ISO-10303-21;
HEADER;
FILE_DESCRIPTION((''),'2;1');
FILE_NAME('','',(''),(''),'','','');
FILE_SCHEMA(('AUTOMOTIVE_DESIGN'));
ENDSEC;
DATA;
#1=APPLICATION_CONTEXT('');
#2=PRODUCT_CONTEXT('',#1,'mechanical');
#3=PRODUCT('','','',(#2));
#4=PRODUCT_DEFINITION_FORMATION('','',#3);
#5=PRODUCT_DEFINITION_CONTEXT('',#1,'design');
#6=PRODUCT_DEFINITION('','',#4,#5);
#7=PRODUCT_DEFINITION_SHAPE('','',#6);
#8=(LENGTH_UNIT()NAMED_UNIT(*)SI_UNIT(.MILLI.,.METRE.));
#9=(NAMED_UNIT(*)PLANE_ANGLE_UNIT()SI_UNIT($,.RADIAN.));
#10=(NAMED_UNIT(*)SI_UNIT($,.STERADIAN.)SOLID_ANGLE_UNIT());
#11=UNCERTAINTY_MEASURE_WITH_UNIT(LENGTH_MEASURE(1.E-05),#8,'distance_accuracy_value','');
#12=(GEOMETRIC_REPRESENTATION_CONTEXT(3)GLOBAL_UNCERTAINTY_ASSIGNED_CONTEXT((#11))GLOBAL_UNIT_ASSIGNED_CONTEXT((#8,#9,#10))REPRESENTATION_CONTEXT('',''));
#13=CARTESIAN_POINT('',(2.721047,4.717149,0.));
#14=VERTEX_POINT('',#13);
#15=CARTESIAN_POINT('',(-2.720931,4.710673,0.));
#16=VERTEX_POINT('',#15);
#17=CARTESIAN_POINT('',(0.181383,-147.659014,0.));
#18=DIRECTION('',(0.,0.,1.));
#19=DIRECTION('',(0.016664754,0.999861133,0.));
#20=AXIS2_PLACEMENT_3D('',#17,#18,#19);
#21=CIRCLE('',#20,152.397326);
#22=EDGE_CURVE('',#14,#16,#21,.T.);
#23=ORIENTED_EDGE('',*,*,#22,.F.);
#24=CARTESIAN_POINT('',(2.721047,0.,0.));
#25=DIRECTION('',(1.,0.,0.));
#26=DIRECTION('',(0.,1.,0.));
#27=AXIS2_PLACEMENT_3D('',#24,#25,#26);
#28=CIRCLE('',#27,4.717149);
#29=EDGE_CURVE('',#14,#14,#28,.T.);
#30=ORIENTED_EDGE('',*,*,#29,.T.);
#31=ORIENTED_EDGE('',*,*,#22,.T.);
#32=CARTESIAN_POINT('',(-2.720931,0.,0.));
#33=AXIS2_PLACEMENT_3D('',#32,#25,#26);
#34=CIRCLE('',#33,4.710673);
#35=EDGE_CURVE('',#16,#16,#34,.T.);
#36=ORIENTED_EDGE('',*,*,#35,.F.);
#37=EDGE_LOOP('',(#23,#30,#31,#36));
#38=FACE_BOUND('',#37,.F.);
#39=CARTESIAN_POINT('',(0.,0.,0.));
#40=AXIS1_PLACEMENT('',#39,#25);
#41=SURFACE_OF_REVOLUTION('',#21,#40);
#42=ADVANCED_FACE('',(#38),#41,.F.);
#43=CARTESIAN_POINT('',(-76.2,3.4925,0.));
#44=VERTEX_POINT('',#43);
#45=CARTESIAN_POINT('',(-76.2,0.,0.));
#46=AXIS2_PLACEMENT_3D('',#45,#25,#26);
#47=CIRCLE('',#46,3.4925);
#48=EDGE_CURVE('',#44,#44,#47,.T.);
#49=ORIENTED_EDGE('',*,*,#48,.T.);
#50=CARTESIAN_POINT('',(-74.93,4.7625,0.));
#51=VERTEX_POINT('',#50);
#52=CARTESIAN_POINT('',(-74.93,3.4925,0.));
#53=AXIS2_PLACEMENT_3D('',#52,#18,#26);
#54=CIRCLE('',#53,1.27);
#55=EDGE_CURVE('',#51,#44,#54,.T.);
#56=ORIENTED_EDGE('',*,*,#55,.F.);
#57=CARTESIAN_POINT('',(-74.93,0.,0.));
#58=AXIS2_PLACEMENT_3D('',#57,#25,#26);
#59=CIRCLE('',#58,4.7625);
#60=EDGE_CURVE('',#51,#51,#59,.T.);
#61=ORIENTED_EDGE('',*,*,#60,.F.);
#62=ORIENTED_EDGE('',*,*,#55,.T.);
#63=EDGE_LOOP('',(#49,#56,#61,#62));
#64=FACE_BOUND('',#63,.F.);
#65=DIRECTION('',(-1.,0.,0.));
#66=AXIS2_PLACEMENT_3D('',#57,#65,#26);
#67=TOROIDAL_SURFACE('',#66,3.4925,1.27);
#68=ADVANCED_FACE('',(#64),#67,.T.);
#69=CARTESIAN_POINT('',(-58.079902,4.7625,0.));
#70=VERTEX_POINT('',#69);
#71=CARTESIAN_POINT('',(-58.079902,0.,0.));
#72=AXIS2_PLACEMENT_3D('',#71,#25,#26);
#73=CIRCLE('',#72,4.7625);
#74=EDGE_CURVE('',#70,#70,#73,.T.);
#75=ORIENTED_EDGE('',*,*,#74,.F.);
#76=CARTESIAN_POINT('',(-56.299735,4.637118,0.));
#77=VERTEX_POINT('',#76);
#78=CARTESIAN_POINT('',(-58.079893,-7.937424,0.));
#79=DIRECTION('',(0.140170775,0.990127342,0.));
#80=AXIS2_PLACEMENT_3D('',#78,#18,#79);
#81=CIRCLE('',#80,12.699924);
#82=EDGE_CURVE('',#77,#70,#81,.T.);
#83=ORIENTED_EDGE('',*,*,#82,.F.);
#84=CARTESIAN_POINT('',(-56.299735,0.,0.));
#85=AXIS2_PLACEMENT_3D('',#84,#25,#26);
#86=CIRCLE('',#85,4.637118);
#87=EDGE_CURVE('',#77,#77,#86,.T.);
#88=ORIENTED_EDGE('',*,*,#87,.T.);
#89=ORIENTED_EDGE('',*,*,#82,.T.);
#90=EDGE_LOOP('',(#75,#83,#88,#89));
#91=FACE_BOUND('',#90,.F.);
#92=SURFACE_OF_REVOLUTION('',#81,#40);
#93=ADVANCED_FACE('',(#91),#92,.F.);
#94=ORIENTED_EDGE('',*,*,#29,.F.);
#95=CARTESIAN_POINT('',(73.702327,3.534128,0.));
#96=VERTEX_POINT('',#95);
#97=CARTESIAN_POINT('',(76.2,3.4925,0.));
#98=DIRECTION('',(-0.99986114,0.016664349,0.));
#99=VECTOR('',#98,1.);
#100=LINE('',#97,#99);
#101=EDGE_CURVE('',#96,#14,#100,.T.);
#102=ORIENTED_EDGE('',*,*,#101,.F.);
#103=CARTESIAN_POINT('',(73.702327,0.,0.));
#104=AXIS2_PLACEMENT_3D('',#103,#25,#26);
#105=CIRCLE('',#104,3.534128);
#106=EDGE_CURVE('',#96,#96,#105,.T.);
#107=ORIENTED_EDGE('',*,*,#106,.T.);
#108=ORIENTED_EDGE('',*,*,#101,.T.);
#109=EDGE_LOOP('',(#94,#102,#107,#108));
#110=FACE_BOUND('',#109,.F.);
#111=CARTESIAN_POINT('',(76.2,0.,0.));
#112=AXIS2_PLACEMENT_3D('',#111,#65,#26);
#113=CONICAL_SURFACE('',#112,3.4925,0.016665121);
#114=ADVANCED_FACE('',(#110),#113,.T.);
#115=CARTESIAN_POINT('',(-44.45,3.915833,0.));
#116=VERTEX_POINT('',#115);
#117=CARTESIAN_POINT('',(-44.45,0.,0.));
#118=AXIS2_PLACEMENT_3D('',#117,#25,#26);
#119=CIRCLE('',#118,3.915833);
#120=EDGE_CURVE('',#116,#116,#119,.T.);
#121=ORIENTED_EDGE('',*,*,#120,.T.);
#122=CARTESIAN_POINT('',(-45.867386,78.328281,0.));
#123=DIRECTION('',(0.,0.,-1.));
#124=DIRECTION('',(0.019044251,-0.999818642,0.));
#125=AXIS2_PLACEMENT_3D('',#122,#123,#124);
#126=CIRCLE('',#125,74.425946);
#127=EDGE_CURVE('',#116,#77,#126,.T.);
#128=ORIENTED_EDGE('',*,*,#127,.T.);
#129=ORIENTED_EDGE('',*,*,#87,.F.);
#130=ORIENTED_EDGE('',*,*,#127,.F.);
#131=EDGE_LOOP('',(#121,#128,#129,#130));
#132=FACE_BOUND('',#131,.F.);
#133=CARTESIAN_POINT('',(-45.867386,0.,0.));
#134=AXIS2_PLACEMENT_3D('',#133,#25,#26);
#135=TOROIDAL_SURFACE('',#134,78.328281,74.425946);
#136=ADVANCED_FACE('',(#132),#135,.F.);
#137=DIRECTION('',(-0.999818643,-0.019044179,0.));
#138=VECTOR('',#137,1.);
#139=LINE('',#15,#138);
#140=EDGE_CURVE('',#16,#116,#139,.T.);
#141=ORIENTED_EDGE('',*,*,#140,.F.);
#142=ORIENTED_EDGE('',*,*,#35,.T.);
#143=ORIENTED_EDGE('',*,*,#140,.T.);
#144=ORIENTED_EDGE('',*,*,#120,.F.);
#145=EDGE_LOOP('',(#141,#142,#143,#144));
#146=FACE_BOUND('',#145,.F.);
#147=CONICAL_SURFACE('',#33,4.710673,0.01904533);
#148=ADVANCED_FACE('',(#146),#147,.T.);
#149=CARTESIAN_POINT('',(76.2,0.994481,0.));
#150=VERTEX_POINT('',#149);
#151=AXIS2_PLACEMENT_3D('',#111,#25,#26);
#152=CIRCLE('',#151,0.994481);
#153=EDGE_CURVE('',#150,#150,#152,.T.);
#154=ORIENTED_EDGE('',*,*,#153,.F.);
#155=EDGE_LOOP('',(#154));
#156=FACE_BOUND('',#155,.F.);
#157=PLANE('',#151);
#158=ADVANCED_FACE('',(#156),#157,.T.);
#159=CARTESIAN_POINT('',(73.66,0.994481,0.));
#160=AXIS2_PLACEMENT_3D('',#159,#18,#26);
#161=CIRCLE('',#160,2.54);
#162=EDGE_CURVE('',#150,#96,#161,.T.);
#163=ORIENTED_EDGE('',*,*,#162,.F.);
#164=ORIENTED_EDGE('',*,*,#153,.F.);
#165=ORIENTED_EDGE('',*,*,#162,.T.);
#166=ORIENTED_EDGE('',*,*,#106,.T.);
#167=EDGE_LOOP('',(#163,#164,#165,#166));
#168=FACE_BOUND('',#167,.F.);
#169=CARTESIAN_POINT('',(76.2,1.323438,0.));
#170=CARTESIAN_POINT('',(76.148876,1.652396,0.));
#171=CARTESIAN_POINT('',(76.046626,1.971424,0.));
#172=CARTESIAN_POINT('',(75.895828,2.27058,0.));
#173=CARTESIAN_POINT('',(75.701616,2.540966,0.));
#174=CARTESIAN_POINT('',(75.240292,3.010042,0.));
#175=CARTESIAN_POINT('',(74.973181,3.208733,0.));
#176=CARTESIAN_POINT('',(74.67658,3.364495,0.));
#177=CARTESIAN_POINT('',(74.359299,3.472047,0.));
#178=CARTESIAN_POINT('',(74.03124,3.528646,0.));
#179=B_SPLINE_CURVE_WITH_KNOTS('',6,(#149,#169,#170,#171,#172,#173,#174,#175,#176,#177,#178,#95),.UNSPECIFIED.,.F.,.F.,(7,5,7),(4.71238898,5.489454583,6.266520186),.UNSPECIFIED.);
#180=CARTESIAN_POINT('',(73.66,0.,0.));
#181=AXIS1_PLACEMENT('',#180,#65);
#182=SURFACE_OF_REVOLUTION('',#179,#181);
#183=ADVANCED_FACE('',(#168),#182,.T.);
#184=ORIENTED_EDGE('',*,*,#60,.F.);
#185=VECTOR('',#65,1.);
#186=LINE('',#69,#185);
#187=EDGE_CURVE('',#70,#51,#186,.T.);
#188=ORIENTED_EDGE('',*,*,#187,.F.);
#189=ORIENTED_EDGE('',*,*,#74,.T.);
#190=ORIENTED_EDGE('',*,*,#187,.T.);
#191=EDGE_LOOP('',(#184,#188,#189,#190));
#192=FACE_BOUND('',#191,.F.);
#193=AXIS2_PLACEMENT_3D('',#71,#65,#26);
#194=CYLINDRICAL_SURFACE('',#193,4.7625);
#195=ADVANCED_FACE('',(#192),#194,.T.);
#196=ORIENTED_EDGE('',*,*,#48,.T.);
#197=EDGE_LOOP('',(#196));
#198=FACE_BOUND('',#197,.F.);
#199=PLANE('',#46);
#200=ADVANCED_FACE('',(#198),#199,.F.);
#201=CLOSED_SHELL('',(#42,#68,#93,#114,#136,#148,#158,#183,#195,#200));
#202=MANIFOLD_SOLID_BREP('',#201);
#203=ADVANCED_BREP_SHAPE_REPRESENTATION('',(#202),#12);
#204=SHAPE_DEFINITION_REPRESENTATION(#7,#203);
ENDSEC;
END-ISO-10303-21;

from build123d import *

# Parameters (mm, degrees)
F2_R = 2.54
F3_R = 1.27


with BuildPart() as f1:
    # F0 (on Top) → F1 (revolve)
    with BuildSketch(Plane.XY):
        with BuildLine():
            Line((-58.079902, 4.7625), (-76.2, 4.7625))
            Line((-76.2, 4.7625), (-76.2, 0))
            Line((-76.2, 0), (76.2, 0))
            Line((76.2, 0), (76.2, 3.4925))
            Line((76.2, 3.4925), (2.721047, 4.717149))
            ThreePointArc((2.721047, 4.717149), (2.9e-05, 4.738204), (-2.720931, 4.710673))
            Line((-2.720931, 4.710673), (-44.45, 3.915833))
            ThreePointArc((-44.45, 3.915833), (-50.389272, 4.03983), (-56.299735, 4.637118))
            ThreePointArc((-56.299735, 4.637118), (-57.187613, 4.731116), (-58.079902, 4.7625))
        make_face()
    revolve(axis=Axis((0, 0, 0), (1, 0, 0)))

    # F2
    f2_edges = [f1.edges().sort_by_distance(p)[0] for p in [
        (76.2, -3.4925, 0),
    ]]
    fillet(f2_edges, radius=F2_R)

    # F3
    f3_edges = [f1.edges().sort_by_distance(p)[0] for p in [
        (-76.2, -4.7625, 0),
    ]]
    fillet(f3_edges, radius=F3_R)


solid = f1.part
